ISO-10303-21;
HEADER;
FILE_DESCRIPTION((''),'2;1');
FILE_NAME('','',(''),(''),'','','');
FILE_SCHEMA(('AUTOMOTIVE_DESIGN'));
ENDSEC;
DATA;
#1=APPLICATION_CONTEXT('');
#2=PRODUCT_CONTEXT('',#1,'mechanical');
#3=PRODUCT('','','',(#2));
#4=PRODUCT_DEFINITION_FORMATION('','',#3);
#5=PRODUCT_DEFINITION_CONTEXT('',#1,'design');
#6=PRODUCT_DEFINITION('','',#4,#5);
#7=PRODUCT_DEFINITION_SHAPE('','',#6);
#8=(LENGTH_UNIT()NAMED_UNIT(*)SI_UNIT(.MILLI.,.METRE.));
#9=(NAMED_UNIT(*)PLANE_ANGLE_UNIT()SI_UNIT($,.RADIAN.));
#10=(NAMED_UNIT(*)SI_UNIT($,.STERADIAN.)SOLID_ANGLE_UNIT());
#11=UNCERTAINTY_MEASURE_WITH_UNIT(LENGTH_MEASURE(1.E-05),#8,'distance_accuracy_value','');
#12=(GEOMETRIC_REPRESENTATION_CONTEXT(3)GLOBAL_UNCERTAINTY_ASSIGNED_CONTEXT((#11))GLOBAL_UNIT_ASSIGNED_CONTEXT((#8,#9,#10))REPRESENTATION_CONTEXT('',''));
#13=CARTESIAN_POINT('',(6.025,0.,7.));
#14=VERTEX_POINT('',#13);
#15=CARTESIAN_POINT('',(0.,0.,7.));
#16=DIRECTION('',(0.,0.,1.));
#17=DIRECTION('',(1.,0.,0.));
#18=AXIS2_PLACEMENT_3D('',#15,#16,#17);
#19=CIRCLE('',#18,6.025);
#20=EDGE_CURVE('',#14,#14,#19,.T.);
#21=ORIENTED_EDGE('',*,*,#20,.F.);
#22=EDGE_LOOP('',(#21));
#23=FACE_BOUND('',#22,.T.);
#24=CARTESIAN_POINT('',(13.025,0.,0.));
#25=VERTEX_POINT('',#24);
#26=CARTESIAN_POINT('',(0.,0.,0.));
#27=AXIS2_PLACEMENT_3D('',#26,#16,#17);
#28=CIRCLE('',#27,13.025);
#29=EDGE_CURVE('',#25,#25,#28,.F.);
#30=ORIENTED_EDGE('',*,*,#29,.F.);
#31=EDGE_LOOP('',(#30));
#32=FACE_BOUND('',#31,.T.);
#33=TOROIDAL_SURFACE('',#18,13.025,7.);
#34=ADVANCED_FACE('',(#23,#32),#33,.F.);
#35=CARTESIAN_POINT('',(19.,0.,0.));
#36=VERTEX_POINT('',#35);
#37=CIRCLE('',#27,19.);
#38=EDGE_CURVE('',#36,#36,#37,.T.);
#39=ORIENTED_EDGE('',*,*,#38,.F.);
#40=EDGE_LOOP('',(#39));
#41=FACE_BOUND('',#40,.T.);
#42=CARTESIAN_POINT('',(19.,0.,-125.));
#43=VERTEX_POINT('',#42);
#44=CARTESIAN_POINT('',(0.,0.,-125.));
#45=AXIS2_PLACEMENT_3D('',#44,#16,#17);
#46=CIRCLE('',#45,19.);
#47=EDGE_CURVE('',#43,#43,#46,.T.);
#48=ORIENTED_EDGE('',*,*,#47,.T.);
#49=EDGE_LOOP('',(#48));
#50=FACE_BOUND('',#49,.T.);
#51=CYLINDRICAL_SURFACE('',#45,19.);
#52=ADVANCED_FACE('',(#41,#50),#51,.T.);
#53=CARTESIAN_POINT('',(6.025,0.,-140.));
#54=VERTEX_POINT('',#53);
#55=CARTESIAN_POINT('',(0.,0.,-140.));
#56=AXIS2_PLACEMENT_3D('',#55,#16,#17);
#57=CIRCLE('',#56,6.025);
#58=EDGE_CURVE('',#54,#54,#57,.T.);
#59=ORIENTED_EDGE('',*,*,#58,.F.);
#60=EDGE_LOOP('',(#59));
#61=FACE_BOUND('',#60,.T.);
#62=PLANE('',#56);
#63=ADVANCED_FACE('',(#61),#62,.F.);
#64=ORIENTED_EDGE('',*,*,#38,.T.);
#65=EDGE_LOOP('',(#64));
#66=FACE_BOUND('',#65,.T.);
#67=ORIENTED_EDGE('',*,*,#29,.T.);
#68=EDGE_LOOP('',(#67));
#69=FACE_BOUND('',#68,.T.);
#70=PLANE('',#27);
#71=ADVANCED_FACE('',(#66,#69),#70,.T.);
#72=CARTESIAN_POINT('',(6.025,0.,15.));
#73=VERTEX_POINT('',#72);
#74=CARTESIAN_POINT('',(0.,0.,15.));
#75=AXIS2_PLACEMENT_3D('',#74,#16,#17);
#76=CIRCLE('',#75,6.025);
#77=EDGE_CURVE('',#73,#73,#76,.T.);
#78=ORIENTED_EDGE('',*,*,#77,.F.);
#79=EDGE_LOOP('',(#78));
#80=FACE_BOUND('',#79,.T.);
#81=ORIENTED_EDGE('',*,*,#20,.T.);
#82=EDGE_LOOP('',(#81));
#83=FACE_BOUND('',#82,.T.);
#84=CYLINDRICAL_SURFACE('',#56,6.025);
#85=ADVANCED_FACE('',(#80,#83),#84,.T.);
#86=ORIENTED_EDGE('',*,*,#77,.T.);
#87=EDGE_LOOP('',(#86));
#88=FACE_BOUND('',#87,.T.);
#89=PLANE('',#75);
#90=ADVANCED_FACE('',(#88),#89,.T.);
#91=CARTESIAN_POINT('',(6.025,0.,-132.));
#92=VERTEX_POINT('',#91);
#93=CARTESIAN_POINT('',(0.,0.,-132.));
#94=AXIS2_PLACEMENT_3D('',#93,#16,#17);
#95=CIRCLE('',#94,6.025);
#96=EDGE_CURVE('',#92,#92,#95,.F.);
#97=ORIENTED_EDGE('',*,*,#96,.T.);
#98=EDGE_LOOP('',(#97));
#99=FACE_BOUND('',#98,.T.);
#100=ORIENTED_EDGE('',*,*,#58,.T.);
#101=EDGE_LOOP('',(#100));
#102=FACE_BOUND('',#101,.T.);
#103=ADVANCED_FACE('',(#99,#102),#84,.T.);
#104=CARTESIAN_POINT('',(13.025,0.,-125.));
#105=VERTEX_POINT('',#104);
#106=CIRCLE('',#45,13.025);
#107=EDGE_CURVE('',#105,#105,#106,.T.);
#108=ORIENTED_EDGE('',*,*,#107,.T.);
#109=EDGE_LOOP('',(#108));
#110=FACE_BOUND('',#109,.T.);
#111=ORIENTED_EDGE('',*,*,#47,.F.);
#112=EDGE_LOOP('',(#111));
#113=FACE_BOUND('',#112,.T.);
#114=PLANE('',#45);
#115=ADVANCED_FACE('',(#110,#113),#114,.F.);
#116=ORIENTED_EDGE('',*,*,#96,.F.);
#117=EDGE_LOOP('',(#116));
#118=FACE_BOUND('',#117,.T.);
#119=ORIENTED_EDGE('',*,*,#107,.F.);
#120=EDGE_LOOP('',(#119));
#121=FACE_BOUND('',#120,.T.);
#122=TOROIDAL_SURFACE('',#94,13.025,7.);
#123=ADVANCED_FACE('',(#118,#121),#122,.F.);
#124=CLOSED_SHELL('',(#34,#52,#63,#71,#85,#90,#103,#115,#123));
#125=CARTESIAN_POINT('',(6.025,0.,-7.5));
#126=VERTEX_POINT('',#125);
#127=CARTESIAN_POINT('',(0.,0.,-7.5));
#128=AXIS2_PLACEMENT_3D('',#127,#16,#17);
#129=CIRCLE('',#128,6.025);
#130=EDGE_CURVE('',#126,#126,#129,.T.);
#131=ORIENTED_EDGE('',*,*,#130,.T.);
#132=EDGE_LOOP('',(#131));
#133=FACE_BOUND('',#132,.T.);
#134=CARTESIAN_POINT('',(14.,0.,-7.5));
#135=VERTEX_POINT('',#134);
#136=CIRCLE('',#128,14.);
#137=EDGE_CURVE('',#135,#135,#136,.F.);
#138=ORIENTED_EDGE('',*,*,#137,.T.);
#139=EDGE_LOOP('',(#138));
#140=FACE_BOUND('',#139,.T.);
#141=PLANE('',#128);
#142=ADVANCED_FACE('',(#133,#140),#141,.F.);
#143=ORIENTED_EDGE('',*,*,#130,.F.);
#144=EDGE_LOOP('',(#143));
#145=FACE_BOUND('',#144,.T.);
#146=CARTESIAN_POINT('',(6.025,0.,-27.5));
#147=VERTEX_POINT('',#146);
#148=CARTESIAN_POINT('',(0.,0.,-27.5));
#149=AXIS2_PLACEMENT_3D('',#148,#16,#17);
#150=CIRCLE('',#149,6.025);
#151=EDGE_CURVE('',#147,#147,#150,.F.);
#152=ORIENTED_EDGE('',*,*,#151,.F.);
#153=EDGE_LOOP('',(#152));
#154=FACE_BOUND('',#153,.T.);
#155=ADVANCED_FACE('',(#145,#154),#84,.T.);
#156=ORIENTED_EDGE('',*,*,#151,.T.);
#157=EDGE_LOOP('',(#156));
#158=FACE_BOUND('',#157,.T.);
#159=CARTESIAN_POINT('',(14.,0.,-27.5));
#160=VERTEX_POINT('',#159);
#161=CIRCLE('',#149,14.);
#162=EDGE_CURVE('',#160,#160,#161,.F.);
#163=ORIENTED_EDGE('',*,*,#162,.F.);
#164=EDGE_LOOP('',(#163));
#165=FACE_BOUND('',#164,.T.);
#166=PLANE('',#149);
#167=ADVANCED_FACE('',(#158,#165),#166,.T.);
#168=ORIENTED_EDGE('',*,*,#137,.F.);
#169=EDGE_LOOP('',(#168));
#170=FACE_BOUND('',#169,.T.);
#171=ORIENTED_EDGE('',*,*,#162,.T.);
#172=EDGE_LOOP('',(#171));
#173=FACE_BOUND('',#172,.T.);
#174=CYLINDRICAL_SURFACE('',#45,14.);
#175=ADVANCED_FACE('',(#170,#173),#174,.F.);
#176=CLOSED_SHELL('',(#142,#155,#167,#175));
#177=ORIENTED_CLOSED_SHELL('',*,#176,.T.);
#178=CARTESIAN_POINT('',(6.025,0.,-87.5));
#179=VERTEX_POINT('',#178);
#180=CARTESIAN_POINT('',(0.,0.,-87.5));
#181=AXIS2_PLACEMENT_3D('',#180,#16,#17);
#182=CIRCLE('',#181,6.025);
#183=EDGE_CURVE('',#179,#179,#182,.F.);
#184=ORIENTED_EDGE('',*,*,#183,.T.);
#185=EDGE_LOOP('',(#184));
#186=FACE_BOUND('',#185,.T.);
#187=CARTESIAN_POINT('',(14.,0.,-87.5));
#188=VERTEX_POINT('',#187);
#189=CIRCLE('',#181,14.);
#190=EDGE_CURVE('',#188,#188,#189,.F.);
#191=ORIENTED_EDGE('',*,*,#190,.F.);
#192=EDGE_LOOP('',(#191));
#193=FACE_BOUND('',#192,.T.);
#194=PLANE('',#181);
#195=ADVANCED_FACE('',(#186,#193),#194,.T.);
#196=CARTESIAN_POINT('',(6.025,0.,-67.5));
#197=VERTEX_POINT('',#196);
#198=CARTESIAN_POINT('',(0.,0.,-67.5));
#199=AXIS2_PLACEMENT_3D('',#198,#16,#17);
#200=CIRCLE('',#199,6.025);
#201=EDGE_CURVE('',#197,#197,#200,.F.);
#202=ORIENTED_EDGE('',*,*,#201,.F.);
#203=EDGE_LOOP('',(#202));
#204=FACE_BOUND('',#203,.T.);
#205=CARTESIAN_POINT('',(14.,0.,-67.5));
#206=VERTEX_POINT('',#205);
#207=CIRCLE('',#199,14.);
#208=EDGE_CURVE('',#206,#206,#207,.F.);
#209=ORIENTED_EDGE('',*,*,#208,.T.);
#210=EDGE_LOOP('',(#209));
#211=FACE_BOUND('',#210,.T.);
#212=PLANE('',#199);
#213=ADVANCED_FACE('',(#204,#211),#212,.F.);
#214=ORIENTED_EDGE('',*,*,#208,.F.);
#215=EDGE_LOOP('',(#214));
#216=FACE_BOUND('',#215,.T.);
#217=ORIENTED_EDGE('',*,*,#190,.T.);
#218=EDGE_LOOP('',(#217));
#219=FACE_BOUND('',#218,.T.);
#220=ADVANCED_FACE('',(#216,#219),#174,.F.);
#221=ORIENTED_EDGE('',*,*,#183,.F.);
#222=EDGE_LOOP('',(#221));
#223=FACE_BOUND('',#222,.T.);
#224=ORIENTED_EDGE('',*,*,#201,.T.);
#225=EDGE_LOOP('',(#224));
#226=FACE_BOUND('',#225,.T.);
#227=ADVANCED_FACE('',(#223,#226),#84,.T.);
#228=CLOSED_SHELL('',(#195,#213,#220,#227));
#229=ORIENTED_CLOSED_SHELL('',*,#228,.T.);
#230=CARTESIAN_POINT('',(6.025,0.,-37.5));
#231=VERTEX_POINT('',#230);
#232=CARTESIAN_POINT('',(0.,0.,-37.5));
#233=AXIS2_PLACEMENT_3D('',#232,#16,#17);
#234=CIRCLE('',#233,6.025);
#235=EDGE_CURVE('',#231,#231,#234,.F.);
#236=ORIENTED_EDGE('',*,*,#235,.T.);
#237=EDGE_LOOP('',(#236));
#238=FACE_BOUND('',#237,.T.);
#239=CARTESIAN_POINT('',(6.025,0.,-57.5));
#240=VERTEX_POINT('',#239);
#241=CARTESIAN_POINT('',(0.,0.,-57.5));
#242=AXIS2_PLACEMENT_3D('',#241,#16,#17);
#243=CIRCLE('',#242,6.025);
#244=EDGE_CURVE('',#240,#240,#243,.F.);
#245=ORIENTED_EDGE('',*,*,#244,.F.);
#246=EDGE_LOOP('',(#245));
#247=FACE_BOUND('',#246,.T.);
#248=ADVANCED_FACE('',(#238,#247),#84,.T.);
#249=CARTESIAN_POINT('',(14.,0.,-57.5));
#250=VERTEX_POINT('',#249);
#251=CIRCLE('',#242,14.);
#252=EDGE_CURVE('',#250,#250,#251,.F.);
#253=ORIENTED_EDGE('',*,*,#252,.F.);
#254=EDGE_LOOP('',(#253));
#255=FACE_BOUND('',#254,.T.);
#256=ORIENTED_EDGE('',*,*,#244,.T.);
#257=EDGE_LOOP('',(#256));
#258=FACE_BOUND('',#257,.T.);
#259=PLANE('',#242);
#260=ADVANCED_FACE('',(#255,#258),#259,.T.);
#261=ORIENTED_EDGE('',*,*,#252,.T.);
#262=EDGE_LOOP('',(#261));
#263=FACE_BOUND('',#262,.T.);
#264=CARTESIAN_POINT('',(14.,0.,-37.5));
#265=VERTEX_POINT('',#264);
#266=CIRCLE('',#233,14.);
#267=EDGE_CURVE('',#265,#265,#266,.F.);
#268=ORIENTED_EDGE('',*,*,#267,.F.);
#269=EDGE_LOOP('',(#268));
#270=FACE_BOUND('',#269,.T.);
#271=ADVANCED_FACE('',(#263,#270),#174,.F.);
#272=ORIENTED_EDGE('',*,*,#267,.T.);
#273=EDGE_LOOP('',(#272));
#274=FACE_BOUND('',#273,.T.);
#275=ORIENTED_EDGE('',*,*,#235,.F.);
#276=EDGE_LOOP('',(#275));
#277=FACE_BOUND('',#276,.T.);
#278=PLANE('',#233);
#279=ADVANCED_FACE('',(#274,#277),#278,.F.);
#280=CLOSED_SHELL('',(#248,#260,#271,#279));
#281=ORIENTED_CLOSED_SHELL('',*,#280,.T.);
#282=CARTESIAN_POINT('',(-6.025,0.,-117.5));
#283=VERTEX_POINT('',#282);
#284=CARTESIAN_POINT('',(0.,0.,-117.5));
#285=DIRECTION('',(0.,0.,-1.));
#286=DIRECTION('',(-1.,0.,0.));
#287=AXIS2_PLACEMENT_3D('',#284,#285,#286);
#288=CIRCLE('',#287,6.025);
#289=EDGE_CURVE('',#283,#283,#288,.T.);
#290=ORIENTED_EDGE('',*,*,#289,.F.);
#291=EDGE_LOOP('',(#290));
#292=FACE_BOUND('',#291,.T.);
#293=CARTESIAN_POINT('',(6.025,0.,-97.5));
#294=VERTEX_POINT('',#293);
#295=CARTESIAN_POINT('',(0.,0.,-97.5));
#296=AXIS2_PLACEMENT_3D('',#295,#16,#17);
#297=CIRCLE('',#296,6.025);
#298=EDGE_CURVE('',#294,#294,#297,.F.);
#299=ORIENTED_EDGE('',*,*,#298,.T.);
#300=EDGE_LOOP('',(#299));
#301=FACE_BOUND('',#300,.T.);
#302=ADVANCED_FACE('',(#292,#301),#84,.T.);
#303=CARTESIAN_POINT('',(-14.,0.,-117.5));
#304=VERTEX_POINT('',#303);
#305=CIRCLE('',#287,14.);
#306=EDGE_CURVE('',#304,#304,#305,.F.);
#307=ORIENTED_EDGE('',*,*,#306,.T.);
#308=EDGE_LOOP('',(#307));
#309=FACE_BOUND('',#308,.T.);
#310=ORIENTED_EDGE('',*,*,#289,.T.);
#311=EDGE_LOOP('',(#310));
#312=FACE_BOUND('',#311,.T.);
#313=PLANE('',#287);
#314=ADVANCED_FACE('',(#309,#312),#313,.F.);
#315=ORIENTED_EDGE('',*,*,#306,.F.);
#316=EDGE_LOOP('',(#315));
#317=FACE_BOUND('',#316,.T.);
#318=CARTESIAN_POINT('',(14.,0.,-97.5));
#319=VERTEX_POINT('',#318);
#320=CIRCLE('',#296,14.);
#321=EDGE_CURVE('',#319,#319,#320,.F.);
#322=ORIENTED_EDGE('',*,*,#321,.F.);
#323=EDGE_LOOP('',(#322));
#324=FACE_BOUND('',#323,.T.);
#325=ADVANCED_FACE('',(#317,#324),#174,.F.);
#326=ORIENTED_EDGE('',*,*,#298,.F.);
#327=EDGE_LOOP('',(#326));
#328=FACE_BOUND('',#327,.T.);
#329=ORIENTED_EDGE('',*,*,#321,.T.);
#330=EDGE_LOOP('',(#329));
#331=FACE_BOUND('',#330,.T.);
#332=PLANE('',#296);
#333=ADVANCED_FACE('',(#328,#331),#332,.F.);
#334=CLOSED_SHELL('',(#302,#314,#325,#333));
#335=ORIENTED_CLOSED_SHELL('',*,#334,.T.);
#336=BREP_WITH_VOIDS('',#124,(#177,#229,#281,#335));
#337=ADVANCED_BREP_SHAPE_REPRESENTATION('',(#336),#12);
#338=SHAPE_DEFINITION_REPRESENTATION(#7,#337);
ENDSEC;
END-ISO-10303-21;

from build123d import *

# Parameters (mm, degrees)
SKETCH1_R                 = 19
SKETCH1_R_2               = 14
BOSS_EXTRUDE1_DEPTH       = 125
BOSS_EXTRUDE2_START       = 7.5
SKETCH2_R                 = 14
BOSS_EXTRUDE2_DEPTH       = 7.5
CUT_EXTRUDE1_DEPTH        = 121.53319045
CUT_EXTRUDE1_DEPTH_BACK   = 121.53319045
SKETCH4_R                 = 6.025
SKETCH5_R                 = 14
BOSS_EXTRUDE3_DEPTH       = 7.5
BOSS_EXTRUDE4_DEPTH       = 15
BOSS_EXTRUDE4_DEPTH_BACK  = 140
SKETCH7_R                 = 6.025
SKETCH8_R                 = 15
BOSS_EXTRUDE5_DEPTH       = 5
LPATTERN2_COUNT           = 2
LPATTERN2_PITCH           = 30
LPATTERN3_COPY_1_SKETCH_R = 15
LPATTERN3_COPY_1_DEPTH    = 5
LPATTERN3_COPY_2_SKETCH_R = 15
LPATTERN3_COPY_2_DEPTH    = 5
FILLET1_R                 = 7


with BuildPart() as part:
    # Sketch1 → Boss-Extrude1 (new body)
    with BuildSketch(Plane.XY):
        Circle(SKETCH1_R)
        Circle(SKETCH1_R_2, mode=Mode.SUBTRACT)
    extrude(amount=-BOSS_EXTRUDE1_DEPTH)

    # Sketch2 → Boss-Extrude2 (add)
    with BuildSketch(Plane.XY.offset(-7.5).offset(BOSS_EXTRUDE2_START)):
        Circle(SKETCH2_R)
    extrude(amount=-BOSS_EXTRUDE2_DEPTH)

    # Sketch4 → Cut-Extrude1 (cut, two sides: drawn at the far end of the back side and taken through both)
    with BuildSketch(Plane.XY.offset(-7.5).offset(-CUT_EXTRUDE1_DEPTH_BACK)):
        Circle(SKETCH4_R)
    extrude(amount=CUT_EXTRUDE1_DEPTH + CUT_EXTRUDE1_DEPTH_BACK, mode=Mode.SUBTRACT)

    # Sketch5 → Boss-Extrude3 (add)
    with BuildSketch(Plane(origin=(0, 0, -117.5), x_dir=(-1, 0, 0), z_dir=(0, 0, -1))):
        with Locations(Location((0, 0, 0), (0, 0, 180))):
            Circle(SKETCH5_R)
    extrude(amount=BOSS_EXTRUDE3_DEPTH)

    # Sketch7 → Boss-Extrude4 (add, two sides: drawn at the far end of the back side and taken through both)
    with BuildSketch(Plane.XY.offset(-BOSS_EXTRUDE4_DEPTH_BACK)):
        Circle(SKETCH7_R)
    extrude(amount=BOSS_EXTRUDE4_DEPTH + BOSS_EXTRUDE4_DEPTH_BACK)

    # Sketch8 → Boss-Extrude5 (add, symmetric)
    with BuildSketch(Plane.XY.offset(-62.5)):
        Circle(SKETCH8_R)
    boss_extrude5 = extrude(amount=BOSS_EXTRUDE5_DEPTH, both=True)

    # LPattern2: Boss-Extrude5 ×2
    with Locations(*[(0, 0, -i * LPATTERN2_PITCH) for i in range(1, LPATTERN2_COUNT)]):
        add(boss_extrude5)

    # LPattern3 copy 1 sketch → LPattern3 copy 1 (add, symmetric)
    with BuildSketch(Plane.XY.offset(-62.5)):
        Circle(LPATTERN3_COPY_1_SKETCH_R)
    extrude(amount=LPATTERN3_COPY_1_DEPTH, both=True)

    # LPattern3 copy 2 sketch → LPattern3 copy 2 (add, symmetric)
    with BuildSketch(Plane.XY.offset(-32.5)):
        Circle(LPATTERN3_COPY_2_SKETCH_R)
    extrude(amount=LPATTERN3_COPY_2_DEPTH, both=True)

    # Fillet1
    fillet1_edges = [part.edges().sort_by_distance(p)[0] for p in [
        (-6.025, 0, 0),
        (-6.025, 0, -125),
    ]]
    fillet(fillet1_edges, radius=FILLET1_R)


solid = part.part
